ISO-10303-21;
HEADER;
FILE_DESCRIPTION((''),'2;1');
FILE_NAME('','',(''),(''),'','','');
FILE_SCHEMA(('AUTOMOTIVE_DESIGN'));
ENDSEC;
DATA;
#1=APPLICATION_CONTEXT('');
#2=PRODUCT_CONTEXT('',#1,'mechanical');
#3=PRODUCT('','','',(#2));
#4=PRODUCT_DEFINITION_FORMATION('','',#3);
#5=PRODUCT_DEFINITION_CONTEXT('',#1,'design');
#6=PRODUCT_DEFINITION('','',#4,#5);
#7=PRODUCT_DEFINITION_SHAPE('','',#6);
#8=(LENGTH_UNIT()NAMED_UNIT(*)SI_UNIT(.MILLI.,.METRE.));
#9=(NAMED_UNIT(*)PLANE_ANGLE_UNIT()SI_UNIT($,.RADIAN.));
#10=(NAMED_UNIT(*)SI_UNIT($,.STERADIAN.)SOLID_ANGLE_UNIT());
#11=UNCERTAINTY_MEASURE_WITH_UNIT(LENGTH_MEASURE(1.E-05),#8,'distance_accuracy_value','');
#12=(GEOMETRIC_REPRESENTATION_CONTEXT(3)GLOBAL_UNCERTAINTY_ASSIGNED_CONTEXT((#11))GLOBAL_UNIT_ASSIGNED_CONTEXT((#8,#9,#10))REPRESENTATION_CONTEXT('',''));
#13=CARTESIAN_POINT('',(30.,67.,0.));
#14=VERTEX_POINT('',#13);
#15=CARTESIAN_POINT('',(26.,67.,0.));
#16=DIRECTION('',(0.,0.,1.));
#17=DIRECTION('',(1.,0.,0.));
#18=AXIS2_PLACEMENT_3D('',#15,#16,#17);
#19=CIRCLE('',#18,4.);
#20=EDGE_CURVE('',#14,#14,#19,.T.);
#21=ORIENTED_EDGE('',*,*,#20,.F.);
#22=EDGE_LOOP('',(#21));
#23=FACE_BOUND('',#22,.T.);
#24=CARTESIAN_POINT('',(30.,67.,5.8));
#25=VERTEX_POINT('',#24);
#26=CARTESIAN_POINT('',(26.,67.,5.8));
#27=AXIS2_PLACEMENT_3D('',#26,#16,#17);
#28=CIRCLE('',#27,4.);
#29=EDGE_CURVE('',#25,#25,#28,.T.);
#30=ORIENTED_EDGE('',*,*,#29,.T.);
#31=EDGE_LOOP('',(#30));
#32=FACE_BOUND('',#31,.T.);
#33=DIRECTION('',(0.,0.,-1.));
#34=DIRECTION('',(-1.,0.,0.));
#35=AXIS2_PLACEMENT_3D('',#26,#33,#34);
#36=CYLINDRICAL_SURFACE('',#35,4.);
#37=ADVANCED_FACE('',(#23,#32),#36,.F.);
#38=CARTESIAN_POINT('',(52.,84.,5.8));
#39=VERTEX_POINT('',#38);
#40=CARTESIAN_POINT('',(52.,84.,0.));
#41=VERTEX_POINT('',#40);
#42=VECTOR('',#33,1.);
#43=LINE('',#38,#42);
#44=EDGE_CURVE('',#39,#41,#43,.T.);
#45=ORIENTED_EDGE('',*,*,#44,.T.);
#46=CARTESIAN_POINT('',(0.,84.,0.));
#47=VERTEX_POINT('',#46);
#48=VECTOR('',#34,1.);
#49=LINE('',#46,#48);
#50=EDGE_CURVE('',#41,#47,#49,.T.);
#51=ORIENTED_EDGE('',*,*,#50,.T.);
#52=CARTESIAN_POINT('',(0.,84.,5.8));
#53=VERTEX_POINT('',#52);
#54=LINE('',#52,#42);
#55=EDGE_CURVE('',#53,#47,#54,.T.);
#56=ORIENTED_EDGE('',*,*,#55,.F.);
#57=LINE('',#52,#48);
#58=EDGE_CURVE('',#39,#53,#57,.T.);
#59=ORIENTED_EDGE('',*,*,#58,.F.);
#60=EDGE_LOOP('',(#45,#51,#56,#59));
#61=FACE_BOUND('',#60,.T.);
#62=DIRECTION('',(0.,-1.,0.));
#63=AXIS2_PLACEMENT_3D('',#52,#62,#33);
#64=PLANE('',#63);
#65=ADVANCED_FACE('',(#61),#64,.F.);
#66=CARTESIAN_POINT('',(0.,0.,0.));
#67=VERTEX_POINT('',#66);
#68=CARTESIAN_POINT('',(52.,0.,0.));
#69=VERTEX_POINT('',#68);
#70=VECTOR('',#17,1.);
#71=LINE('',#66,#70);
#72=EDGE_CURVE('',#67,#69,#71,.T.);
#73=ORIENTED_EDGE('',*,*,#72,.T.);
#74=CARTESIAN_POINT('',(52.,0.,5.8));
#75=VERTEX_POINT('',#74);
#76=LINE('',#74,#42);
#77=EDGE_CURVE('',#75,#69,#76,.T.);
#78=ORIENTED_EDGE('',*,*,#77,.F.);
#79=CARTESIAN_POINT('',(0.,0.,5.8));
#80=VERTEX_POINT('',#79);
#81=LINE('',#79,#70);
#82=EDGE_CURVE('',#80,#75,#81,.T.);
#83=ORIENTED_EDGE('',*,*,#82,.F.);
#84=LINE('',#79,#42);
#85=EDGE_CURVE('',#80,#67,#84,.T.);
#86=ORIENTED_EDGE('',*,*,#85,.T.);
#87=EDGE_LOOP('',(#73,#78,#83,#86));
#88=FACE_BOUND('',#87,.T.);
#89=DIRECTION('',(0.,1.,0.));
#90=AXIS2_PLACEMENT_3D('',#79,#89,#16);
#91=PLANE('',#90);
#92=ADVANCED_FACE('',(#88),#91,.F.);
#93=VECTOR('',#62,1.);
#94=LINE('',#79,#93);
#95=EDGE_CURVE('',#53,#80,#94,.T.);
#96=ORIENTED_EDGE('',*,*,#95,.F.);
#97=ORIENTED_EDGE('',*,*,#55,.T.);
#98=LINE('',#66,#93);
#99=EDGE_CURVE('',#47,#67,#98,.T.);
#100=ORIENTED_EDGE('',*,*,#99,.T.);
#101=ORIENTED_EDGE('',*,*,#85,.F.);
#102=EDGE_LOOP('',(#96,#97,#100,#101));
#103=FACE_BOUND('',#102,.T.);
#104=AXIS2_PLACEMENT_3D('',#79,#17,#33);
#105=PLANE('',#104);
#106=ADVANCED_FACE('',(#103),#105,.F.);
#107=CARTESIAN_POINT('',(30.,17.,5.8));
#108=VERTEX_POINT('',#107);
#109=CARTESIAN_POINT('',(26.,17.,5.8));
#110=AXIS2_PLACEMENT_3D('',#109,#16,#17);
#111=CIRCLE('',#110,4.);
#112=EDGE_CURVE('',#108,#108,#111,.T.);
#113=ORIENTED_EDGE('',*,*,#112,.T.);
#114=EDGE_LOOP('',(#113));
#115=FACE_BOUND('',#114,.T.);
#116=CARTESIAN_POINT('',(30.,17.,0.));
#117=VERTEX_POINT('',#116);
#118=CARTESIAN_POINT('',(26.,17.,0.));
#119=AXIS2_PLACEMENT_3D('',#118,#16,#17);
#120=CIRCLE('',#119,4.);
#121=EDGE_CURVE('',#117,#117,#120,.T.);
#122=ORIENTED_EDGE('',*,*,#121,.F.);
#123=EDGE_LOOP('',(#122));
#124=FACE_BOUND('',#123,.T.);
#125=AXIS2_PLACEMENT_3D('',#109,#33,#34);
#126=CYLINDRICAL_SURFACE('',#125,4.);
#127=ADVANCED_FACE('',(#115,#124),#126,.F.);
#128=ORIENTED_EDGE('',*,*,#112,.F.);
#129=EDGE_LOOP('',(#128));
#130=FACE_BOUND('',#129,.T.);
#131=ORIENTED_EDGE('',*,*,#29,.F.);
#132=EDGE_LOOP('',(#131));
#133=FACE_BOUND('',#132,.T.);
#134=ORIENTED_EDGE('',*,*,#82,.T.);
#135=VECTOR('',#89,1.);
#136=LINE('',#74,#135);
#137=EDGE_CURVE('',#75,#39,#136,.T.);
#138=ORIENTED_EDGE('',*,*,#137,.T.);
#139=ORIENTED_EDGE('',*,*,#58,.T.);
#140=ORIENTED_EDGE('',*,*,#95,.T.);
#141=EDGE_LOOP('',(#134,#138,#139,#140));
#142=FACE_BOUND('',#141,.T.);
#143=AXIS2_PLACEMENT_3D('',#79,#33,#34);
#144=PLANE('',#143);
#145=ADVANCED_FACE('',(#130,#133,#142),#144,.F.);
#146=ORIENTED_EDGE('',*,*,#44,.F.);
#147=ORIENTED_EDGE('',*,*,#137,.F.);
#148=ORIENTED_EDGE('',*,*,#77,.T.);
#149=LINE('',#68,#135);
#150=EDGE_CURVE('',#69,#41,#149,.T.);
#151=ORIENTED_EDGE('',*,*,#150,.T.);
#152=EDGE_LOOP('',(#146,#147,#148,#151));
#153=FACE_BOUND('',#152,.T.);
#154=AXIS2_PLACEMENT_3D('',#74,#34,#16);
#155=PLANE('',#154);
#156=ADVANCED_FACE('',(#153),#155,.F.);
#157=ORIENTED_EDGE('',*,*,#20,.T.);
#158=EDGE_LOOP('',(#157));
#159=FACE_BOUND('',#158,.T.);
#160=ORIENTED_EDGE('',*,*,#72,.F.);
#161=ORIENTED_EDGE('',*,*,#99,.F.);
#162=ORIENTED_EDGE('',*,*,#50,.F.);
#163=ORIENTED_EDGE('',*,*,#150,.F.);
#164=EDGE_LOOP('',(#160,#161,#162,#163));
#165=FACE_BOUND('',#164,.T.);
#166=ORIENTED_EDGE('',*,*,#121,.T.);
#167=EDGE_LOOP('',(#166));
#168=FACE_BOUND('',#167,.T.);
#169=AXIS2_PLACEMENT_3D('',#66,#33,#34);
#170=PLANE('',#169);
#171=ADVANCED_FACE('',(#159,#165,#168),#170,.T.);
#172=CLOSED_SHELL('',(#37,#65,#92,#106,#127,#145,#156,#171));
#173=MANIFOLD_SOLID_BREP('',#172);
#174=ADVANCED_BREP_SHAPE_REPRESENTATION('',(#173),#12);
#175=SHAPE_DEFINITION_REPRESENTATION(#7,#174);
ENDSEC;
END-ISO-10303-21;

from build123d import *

# Parameters (mm, degrees)
SKETCH_1_W      = 52
SKETCH_1_H      = 84
SKETCH_1_R      = 4
EXTRUDE_1_DEPTH = 5.8


with BuildPart() as part:
    # Эскиз1 → Бобышка-Вытянуть1 (new body)
    with BuildSketch(Plane.XY):
        with Locations((26, 42)):
            Rectangle(SKETCH_1_W, SKETCH_1_H)
        with Locations((26, 67)):
            Circle(SKETCH_1_R, mode=Mode.SUBTRACT)
        with Locations((26, 17)):
            Circle(SKETCH_1_R, mode=Mode.SUBTRACT)
    extrude(amount=EXTRUDE_1_DEPTH)


solid = part.part
